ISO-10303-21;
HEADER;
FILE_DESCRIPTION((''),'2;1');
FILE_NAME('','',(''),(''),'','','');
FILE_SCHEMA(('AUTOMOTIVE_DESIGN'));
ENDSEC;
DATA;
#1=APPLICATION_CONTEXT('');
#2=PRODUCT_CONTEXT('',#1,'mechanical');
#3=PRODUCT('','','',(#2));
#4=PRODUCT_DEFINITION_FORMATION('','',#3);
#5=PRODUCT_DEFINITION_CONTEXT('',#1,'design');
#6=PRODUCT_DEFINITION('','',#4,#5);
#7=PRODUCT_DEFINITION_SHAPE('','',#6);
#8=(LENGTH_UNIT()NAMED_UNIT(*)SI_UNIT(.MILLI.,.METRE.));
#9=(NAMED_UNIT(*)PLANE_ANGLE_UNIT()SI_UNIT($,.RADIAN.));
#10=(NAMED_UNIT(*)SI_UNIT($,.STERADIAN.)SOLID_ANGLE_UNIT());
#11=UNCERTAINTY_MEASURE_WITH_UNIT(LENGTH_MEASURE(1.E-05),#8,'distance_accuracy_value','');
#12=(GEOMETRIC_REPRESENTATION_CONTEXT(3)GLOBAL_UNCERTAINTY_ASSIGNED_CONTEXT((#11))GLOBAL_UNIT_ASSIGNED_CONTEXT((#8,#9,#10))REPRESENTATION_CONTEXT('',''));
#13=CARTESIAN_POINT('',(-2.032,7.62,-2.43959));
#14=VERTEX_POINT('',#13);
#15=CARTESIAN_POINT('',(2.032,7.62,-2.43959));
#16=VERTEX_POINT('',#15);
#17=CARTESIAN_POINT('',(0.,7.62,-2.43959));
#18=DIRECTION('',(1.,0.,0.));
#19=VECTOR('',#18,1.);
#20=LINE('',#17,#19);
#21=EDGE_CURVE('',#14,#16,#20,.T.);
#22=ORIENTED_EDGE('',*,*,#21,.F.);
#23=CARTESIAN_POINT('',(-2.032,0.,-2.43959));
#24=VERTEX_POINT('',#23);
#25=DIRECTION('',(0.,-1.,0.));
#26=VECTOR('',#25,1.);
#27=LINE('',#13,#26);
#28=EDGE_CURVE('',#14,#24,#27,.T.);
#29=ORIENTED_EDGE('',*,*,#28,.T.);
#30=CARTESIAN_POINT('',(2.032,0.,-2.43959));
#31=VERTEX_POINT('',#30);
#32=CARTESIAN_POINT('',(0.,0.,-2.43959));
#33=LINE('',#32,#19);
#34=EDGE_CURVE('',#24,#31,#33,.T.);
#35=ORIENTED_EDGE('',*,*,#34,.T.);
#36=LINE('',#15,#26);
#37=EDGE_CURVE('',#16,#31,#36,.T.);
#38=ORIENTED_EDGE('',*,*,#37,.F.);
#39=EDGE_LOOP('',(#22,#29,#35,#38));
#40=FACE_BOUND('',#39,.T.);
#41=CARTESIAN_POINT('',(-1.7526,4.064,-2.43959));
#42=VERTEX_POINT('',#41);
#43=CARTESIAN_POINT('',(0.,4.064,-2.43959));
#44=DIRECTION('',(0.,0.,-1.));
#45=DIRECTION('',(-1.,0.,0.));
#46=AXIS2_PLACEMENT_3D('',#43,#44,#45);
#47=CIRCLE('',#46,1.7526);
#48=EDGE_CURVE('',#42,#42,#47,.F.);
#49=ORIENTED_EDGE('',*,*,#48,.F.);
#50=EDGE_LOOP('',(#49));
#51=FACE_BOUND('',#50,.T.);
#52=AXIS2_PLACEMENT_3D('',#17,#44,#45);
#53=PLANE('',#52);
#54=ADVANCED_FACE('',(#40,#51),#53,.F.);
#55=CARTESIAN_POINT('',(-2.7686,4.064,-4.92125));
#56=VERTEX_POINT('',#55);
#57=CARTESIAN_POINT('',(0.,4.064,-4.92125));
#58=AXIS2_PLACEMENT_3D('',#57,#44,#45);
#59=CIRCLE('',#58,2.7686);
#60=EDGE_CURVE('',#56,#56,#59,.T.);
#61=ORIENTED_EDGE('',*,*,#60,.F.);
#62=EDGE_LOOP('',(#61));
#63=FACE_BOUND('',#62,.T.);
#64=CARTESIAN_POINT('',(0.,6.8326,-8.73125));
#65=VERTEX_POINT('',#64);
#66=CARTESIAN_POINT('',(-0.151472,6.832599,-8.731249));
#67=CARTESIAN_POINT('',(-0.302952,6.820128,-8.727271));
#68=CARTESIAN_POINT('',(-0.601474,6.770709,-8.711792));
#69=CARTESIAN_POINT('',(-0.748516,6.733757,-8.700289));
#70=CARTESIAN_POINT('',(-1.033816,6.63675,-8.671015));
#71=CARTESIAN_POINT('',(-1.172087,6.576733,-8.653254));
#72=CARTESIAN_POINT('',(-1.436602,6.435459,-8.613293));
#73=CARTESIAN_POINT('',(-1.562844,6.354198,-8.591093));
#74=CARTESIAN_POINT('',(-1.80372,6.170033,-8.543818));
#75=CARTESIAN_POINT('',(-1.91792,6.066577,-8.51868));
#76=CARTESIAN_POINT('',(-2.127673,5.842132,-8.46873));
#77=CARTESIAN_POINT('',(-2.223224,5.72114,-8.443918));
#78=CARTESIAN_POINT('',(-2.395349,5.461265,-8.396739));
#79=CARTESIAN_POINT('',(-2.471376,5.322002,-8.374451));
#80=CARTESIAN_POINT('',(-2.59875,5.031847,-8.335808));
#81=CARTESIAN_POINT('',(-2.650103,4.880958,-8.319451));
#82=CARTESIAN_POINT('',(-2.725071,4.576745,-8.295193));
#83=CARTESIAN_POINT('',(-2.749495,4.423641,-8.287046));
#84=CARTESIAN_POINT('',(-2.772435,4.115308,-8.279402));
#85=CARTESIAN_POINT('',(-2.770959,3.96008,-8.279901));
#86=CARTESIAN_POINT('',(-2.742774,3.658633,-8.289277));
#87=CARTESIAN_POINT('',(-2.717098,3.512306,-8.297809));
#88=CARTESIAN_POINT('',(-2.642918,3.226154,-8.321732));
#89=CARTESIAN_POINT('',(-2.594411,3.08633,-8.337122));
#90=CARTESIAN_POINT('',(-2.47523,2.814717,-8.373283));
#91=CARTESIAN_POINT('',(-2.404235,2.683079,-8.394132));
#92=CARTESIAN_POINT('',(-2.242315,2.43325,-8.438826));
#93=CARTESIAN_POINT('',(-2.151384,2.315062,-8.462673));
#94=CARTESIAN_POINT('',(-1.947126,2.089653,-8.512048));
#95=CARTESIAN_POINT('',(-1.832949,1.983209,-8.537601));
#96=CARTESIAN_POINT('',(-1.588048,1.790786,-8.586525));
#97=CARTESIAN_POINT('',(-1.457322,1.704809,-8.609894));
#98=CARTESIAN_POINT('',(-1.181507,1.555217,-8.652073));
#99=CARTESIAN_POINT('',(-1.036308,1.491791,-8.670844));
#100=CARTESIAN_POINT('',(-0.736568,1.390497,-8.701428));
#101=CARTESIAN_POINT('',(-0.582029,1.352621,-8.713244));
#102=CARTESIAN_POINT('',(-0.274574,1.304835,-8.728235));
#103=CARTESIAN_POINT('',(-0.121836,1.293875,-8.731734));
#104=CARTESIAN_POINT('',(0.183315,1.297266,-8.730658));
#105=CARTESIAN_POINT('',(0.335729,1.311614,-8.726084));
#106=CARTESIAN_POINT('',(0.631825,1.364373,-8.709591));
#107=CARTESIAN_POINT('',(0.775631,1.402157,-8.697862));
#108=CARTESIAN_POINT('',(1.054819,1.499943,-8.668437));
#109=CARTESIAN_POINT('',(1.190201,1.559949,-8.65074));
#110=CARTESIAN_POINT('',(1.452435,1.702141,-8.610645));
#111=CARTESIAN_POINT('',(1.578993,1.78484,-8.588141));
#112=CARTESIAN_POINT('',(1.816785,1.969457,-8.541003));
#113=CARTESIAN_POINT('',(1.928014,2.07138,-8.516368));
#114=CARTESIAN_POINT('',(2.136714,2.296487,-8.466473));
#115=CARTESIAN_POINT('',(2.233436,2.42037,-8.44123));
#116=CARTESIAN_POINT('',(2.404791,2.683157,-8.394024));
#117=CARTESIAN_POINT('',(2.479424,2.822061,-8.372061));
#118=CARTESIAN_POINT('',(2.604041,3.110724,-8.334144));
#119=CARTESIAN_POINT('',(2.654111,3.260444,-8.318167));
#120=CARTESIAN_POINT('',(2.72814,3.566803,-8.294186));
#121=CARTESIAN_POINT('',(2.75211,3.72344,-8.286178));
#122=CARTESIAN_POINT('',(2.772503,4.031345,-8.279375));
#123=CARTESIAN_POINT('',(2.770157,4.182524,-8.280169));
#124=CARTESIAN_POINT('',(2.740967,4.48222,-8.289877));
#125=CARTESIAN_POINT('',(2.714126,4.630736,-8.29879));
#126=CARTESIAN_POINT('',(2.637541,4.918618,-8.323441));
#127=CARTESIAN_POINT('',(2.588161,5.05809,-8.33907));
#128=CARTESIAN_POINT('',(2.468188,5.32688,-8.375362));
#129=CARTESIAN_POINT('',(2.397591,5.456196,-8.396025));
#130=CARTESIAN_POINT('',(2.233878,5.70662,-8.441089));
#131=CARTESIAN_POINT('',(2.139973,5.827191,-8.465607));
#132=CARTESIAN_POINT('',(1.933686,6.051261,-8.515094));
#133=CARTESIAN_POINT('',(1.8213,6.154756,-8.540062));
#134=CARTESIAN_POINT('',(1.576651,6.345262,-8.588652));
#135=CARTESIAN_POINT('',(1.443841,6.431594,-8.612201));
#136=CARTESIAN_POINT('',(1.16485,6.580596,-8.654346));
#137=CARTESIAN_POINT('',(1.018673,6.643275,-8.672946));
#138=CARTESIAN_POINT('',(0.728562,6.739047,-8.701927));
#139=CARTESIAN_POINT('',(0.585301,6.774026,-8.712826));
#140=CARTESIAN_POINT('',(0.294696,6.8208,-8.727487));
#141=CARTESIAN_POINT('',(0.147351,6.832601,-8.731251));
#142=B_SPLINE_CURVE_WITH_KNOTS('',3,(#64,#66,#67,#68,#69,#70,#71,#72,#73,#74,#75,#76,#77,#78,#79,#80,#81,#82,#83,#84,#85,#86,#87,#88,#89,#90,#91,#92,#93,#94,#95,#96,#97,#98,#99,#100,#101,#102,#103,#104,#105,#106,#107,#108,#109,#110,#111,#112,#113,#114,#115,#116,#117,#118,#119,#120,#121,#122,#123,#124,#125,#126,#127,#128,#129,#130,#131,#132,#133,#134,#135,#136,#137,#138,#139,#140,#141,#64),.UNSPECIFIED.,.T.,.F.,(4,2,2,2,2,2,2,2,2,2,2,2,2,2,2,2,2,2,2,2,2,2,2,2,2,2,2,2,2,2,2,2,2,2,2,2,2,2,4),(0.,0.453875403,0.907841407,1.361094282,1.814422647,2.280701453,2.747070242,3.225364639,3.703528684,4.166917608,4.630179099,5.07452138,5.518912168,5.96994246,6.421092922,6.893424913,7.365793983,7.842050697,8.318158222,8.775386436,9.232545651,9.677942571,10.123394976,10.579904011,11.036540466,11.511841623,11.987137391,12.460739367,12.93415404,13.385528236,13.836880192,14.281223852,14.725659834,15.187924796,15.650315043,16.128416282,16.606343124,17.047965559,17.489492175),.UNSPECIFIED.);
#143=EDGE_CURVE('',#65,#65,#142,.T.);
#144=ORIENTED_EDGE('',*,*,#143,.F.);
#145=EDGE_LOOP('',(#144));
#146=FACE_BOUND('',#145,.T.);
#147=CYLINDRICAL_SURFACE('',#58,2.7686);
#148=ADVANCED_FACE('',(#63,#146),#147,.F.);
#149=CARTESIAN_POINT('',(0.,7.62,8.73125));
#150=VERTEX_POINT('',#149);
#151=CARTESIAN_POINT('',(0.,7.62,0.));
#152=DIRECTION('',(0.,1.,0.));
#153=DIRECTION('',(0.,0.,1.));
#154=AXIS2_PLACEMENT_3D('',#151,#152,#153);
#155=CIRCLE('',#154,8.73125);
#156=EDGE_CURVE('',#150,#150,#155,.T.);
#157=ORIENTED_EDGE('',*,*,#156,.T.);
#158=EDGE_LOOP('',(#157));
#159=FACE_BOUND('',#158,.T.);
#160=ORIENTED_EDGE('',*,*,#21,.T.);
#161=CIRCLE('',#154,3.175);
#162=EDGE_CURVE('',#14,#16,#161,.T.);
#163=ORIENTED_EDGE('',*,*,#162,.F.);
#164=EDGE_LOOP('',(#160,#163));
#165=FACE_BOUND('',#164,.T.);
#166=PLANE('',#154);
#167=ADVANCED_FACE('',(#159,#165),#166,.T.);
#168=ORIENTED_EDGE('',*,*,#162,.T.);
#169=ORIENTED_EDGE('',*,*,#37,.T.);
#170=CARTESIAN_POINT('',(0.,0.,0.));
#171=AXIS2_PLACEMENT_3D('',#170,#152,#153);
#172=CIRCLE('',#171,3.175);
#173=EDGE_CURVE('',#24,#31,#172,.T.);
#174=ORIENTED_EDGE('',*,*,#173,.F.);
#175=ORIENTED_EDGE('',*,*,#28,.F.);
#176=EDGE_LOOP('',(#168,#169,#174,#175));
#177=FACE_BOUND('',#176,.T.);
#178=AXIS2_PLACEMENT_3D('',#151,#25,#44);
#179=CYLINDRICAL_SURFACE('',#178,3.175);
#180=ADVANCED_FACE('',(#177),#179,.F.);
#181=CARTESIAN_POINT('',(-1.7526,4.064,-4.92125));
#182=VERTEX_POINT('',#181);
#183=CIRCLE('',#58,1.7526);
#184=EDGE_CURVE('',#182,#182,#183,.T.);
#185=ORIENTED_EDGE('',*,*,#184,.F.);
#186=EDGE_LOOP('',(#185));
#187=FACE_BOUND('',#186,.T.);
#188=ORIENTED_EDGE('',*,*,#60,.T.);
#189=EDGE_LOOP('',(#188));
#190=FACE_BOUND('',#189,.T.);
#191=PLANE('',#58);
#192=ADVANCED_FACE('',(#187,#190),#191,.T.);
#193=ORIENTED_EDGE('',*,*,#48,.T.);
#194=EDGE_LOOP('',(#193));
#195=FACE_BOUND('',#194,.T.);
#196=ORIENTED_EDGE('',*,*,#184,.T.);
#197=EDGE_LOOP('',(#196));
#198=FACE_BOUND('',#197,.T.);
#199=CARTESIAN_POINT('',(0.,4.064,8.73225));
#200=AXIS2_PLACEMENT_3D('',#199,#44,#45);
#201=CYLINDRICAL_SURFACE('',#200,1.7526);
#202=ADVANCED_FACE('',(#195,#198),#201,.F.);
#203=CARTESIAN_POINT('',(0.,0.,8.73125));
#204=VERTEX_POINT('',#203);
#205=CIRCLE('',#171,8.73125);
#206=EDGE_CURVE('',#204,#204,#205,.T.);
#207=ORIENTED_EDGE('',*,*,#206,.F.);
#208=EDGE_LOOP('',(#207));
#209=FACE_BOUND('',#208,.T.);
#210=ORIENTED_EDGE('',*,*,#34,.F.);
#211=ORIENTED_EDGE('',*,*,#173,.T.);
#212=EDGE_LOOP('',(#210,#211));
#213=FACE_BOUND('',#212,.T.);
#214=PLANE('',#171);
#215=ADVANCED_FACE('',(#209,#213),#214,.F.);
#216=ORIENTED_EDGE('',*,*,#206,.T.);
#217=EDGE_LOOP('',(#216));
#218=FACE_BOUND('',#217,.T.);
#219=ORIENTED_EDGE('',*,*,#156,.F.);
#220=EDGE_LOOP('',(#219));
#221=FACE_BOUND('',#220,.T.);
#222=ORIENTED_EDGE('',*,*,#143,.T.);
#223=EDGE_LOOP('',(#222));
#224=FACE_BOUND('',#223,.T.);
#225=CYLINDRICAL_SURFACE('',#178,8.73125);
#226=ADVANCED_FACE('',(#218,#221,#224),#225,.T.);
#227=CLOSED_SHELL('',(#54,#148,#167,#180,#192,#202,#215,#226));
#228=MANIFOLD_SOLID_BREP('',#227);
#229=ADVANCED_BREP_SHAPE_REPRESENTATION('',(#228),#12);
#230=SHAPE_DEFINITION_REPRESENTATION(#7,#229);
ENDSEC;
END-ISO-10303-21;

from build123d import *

# Parameters (mm, degrees)
SKETCH1_R           = 8.73125
BOSS_EXTRUDE1_DEPTH = 7.62
SKETCH2_R           = 2.7686
CUT_EXTRUDE1_DEPTH  = 3.81
CUT_EXTRUDE2_REACH  = 15.653
SKETCH3_R           = 1.7526


with BuildPart() as part:
    # Sketch1 → Boss-Extrude1 (new body)
    with BuildSketch(Plane(origin=(0, 0, 0), x_dir=(1, 0, 0), z_dir=(0, 1, 0))):
        Circle(SKETCH1_R)
        with BuildLine():
            Line((-2.032, 2.439590334), (2.032, 2.439590334))
            ThreePointArc((2.032, 2.439590334), (0, -3.175), (-2.032, 2.439590334))
        make_face(mode=Mode.SUBTRACT)
    extrude(amount=BOSS_EXTRUDE1_DEPTH)

    # Sketch2 → Cut-Extrude1 (cut)
    with BuildSketch(Plane(origin=(0, 0, -8.73125), x_dir=(-1, 0, 0), z_dir=(0, 0, -1))):
        with Locations((0, 4.064)):
            Circle(SKETCH2_R)
    extrude(amount=-CUT_EXTRUDE1_DEPTH, mode=Mode.SUBTRACT)

    # Sketch3 → Cut-Extrude2 (cut, up to next)
    with BuildSketch(Plane(origin=(0, 0, -4.92125), x_dir=(-1, 0, 0), z_dir=(0, 0, -1)), mode=Mode.PRIVATE) as cut_extrude2_sk1:
        with Locations((0, 4.064)):
            Circle(SKETCH3_R)
    cut_extrude2_tool1 = extrude(cut_extrude2_sk1.sketch, amount=-CUT_EXTRUDE2_REACH, mode=Mode.PRIVATE) & part.part
    add(cut_extrude2_tool1.solids().sort_by_distance((0, 4.064, -4.92125))[0], mode=Mode.SUBTRACT)


solid = part.part
